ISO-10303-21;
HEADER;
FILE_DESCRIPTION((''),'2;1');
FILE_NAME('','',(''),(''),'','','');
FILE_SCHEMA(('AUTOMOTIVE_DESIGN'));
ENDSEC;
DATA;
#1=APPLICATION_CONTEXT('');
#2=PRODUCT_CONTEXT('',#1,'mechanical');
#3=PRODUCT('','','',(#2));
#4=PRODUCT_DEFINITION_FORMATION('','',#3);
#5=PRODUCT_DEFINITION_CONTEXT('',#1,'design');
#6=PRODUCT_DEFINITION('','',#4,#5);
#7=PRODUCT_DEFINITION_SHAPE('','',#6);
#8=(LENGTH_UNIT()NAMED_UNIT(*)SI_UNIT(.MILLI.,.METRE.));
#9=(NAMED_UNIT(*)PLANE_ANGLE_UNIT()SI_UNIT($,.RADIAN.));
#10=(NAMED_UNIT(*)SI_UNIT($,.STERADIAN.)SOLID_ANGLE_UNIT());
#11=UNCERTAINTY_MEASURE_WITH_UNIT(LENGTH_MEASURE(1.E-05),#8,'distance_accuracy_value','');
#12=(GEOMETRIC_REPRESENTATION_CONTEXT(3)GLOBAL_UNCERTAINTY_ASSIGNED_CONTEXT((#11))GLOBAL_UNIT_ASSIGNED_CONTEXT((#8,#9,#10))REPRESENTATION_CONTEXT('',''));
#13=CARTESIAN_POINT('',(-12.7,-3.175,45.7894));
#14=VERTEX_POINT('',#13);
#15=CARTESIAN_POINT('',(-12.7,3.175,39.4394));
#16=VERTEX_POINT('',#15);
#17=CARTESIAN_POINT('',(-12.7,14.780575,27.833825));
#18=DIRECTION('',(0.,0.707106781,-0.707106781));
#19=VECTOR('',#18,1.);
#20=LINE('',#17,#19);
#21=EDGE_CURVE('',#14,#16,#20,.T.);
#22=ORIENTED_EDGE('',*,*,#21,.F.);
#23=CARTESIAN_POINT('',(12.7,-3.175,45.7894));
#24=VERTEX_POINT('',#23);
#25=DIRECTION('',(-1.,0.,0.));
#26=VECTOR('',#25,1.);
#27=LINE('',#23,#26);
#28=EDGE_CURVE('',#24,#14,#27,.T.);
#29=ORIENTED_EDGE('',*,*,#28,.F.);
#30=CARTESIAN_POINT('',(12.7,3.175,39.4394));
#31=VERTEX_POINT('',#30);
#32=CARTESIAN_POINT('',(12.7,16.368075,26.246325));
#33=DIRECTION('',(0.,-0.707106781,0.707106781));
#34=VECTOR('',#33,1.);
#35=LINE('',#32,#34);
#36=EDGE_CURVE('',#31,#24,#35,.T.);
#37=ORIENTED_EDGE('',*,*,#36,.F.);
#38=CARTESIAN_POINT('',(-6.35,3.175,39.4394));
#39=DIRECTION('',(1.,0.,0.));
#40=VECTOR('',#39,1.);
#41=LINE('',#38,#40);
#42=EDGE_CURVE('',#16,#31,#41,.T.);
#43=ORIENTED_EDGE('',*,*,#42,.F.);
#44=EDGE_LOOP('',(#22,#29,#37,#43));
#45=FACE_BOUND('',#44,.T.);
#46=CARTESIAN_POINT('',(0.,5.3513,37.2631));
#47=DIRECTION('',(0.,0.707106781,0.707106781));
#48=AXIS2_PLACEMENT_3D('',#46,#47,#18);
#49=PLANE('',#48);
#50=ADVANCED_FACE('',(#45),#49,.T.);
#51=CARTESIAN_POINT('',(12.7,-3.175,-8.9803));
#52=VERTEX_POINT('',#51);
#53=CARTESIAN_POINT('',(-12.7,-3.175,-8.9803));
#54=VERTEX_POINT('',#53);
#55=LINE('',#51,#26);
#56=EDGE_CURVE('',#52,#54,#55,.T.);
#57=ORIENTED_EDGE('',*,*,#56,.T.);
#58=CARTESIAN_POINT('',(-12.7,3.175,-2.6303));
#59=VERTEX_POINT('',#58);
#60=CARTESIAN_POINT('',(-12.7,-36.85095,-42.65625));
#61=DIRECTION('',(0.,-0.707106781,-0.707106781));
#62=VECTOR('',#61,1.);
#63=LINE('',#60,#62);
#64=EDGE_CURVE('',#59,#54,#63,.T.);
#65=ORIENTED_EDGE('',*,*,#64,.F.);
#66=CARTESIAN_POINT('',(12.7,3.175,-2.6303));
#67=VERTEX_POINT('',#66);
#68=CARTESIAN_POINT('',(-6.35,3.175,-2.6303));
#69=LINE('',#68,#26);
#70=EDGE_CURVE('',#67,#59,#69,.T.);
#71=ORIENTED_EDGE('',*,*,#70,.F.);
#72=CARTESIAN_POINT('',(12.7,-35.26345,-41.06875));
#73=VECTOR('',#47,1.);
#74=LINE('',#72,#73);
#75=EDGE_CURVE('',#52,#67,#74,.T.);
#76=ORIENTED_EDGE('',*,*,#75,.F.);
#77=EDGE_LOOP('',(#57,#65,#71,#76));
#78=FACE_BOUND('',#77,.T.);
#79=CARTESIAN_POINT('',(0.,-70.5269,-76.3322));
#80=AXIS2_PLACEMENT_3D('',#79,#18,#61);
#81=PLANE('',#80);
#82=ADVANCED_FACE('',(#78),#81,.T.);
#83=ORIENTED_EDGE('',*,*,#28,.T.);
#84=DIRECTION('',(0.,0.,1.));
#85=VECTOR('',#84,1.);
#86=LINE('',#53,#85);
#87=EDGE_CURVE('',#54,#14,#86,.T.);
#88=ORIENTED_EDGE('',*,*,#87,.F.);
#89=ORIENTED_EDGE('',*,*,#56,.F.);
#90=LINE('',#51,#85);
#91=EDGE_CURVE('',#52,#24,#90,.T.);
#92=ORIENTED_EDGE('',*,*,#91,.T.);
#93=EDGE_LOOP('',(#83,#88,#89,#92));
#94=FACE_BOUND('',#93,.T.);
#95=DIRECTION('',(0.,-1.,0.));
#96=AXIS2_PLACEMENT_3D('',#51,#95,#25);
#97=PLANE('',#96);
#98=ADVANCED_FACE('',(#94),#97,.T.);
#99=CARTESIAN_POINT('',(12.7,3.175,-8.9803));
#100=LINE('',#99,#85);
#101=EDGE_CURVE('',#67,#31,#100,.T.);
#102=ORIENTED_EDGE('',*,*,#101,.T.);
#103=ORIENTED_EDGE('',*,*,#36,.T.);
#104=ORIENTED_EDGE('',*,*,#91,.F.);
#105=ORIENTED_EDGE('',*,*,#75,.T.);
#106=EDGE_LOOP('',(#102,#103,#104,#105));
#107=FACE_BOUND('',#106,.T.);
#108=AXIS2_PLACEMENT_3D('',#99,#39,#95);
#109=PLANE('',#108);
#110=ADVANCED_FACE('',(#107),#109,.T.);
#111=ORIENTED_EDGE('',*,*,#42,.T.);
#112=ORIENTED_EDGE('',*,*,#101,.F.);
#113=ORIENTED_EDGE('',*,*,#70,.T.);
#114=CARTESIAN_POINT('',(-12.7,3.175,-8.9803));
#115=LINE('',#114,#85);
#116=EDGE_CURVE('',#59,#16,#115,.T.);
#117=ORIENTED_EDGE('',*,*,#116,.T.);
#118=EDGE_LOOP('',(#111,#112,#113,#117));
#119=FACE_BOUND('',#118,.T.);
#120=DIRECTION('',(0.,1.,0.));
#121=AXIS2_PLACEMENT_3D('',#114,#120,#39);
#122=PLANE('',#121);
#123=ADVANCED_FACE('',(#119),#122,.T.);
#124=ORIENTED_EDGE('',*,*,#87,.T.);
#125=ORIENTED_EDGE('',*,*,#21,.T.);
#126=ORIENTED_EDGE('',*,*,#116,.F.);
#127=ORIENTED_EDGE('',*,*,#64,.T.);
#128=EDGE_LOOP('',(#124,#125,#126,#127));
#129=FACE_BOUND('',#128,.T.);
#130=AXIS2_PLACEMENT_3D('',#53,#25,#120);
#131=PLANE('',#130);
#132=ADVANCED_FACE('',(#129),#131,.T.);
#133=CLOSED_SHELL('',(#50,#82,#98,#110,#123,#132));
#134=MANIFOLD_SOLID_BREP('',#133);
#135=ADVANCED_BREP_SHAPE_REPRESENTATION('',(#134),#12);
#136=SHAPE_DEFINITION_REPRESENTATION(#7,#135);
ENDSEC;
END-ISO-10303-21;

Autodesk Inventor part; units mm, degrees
ref_plane "Start plane" through (0, 0, -8.9803) normal (0, 0, 1) x (1, 0, 0)
ref_plane "End plane" through (0, 0, 45.7894) normal (0, 0, 1) x (1, 0, 0)
sketch "Sketch" plane through (0, 0, 0) normal (0, 0, 1) x (1, 0, 0)
  line L0 (12.7, -3.175) -> (-12.7, -3.175)
  line L1 (-12.7, -3.175) -> (-12.7, 3.175)
  line L2 (-12.7, 3.175) -> (12.7, 3.175)
  line L3 (12.7, 3.175) -> (12.7, -3.175)
  line L4 (-6, 0) -> (8, 0) construction
  line L5 (0, -30) -> (0, 40) construction
  line L6 (0, 54) -> (0, -44) construction
  line L7 (-17.78, 0) -> (17.78, 0) construction
  dimension "d0" = 6.35
  dimension "d1" = 25.4
  dimension "d4" = 12.7
  dimension "d5" = 3.175
extrude "Body" add sketch "Sketch" along normal up to surface (54.7697 mm away) from surface at -8.9803
sketch "Sketch3" plane through (0, 0, 0) normal (0, 0, 1) x (1, 0, 0)
  line L0 (0, 0) -> (10, 0)
ref_plane "Work Plane3" through (0, 0, 0) normal (0, -1, 0) x (1, 0, 0)
sketch "Sketch4" plane through (0, 0, 0) normal (0, -1, 0) x (1, 0, 0)
  line L0 (-2, -8.9803) -> (12, -8.9803)
  line L1 (-2, 45.7894) -> (12, 45.7894)
  dimension "d9" = 54.7697
ref_plane "Work Plane4" through (0, -70.5269, -76.3322) normal (0, 0.7071, -0.7071) x (1, 0, 0)
split "Split1" plane through (0, -70.5269, -76.3322) removes the side toward (0, 0.7071, -0.7071)
ref_plane "Work Plane5" through (0, 5.3513, 37.2631) normal (0, 0.7071, 0.7071) x (1, 0, 0)
split "Split2" plane through (0, 5.3513, 37.2631) removes the side toward (0, 0.7071, 0.7071)
equation "\"d0\" = G_W"
equation "\"d1\" = G_H"
equation "\"d4\" = 0.5 * d1"
equation "\"d5\" = 0.5 * d0"
equation "\"d2\" = G_L"
equation "\"G_W\" = 6.35"
equation "\"G_H\" = 25.4"
equation "\"G_L\" = d9"
equation "\"G_OFFSET_START\" = 8.98026"
equation "\"G_OFFSET_END\" = 17.05259"
equation "\"d6\" = -G_OFFSET_START"
equation "\"d7\" = G_OFFSET_END + B_L"
equation "\"B_L\" = 28.73682"
properties part number "AISC - 1/4x1 - 2.156" material "Steel, Mild"
